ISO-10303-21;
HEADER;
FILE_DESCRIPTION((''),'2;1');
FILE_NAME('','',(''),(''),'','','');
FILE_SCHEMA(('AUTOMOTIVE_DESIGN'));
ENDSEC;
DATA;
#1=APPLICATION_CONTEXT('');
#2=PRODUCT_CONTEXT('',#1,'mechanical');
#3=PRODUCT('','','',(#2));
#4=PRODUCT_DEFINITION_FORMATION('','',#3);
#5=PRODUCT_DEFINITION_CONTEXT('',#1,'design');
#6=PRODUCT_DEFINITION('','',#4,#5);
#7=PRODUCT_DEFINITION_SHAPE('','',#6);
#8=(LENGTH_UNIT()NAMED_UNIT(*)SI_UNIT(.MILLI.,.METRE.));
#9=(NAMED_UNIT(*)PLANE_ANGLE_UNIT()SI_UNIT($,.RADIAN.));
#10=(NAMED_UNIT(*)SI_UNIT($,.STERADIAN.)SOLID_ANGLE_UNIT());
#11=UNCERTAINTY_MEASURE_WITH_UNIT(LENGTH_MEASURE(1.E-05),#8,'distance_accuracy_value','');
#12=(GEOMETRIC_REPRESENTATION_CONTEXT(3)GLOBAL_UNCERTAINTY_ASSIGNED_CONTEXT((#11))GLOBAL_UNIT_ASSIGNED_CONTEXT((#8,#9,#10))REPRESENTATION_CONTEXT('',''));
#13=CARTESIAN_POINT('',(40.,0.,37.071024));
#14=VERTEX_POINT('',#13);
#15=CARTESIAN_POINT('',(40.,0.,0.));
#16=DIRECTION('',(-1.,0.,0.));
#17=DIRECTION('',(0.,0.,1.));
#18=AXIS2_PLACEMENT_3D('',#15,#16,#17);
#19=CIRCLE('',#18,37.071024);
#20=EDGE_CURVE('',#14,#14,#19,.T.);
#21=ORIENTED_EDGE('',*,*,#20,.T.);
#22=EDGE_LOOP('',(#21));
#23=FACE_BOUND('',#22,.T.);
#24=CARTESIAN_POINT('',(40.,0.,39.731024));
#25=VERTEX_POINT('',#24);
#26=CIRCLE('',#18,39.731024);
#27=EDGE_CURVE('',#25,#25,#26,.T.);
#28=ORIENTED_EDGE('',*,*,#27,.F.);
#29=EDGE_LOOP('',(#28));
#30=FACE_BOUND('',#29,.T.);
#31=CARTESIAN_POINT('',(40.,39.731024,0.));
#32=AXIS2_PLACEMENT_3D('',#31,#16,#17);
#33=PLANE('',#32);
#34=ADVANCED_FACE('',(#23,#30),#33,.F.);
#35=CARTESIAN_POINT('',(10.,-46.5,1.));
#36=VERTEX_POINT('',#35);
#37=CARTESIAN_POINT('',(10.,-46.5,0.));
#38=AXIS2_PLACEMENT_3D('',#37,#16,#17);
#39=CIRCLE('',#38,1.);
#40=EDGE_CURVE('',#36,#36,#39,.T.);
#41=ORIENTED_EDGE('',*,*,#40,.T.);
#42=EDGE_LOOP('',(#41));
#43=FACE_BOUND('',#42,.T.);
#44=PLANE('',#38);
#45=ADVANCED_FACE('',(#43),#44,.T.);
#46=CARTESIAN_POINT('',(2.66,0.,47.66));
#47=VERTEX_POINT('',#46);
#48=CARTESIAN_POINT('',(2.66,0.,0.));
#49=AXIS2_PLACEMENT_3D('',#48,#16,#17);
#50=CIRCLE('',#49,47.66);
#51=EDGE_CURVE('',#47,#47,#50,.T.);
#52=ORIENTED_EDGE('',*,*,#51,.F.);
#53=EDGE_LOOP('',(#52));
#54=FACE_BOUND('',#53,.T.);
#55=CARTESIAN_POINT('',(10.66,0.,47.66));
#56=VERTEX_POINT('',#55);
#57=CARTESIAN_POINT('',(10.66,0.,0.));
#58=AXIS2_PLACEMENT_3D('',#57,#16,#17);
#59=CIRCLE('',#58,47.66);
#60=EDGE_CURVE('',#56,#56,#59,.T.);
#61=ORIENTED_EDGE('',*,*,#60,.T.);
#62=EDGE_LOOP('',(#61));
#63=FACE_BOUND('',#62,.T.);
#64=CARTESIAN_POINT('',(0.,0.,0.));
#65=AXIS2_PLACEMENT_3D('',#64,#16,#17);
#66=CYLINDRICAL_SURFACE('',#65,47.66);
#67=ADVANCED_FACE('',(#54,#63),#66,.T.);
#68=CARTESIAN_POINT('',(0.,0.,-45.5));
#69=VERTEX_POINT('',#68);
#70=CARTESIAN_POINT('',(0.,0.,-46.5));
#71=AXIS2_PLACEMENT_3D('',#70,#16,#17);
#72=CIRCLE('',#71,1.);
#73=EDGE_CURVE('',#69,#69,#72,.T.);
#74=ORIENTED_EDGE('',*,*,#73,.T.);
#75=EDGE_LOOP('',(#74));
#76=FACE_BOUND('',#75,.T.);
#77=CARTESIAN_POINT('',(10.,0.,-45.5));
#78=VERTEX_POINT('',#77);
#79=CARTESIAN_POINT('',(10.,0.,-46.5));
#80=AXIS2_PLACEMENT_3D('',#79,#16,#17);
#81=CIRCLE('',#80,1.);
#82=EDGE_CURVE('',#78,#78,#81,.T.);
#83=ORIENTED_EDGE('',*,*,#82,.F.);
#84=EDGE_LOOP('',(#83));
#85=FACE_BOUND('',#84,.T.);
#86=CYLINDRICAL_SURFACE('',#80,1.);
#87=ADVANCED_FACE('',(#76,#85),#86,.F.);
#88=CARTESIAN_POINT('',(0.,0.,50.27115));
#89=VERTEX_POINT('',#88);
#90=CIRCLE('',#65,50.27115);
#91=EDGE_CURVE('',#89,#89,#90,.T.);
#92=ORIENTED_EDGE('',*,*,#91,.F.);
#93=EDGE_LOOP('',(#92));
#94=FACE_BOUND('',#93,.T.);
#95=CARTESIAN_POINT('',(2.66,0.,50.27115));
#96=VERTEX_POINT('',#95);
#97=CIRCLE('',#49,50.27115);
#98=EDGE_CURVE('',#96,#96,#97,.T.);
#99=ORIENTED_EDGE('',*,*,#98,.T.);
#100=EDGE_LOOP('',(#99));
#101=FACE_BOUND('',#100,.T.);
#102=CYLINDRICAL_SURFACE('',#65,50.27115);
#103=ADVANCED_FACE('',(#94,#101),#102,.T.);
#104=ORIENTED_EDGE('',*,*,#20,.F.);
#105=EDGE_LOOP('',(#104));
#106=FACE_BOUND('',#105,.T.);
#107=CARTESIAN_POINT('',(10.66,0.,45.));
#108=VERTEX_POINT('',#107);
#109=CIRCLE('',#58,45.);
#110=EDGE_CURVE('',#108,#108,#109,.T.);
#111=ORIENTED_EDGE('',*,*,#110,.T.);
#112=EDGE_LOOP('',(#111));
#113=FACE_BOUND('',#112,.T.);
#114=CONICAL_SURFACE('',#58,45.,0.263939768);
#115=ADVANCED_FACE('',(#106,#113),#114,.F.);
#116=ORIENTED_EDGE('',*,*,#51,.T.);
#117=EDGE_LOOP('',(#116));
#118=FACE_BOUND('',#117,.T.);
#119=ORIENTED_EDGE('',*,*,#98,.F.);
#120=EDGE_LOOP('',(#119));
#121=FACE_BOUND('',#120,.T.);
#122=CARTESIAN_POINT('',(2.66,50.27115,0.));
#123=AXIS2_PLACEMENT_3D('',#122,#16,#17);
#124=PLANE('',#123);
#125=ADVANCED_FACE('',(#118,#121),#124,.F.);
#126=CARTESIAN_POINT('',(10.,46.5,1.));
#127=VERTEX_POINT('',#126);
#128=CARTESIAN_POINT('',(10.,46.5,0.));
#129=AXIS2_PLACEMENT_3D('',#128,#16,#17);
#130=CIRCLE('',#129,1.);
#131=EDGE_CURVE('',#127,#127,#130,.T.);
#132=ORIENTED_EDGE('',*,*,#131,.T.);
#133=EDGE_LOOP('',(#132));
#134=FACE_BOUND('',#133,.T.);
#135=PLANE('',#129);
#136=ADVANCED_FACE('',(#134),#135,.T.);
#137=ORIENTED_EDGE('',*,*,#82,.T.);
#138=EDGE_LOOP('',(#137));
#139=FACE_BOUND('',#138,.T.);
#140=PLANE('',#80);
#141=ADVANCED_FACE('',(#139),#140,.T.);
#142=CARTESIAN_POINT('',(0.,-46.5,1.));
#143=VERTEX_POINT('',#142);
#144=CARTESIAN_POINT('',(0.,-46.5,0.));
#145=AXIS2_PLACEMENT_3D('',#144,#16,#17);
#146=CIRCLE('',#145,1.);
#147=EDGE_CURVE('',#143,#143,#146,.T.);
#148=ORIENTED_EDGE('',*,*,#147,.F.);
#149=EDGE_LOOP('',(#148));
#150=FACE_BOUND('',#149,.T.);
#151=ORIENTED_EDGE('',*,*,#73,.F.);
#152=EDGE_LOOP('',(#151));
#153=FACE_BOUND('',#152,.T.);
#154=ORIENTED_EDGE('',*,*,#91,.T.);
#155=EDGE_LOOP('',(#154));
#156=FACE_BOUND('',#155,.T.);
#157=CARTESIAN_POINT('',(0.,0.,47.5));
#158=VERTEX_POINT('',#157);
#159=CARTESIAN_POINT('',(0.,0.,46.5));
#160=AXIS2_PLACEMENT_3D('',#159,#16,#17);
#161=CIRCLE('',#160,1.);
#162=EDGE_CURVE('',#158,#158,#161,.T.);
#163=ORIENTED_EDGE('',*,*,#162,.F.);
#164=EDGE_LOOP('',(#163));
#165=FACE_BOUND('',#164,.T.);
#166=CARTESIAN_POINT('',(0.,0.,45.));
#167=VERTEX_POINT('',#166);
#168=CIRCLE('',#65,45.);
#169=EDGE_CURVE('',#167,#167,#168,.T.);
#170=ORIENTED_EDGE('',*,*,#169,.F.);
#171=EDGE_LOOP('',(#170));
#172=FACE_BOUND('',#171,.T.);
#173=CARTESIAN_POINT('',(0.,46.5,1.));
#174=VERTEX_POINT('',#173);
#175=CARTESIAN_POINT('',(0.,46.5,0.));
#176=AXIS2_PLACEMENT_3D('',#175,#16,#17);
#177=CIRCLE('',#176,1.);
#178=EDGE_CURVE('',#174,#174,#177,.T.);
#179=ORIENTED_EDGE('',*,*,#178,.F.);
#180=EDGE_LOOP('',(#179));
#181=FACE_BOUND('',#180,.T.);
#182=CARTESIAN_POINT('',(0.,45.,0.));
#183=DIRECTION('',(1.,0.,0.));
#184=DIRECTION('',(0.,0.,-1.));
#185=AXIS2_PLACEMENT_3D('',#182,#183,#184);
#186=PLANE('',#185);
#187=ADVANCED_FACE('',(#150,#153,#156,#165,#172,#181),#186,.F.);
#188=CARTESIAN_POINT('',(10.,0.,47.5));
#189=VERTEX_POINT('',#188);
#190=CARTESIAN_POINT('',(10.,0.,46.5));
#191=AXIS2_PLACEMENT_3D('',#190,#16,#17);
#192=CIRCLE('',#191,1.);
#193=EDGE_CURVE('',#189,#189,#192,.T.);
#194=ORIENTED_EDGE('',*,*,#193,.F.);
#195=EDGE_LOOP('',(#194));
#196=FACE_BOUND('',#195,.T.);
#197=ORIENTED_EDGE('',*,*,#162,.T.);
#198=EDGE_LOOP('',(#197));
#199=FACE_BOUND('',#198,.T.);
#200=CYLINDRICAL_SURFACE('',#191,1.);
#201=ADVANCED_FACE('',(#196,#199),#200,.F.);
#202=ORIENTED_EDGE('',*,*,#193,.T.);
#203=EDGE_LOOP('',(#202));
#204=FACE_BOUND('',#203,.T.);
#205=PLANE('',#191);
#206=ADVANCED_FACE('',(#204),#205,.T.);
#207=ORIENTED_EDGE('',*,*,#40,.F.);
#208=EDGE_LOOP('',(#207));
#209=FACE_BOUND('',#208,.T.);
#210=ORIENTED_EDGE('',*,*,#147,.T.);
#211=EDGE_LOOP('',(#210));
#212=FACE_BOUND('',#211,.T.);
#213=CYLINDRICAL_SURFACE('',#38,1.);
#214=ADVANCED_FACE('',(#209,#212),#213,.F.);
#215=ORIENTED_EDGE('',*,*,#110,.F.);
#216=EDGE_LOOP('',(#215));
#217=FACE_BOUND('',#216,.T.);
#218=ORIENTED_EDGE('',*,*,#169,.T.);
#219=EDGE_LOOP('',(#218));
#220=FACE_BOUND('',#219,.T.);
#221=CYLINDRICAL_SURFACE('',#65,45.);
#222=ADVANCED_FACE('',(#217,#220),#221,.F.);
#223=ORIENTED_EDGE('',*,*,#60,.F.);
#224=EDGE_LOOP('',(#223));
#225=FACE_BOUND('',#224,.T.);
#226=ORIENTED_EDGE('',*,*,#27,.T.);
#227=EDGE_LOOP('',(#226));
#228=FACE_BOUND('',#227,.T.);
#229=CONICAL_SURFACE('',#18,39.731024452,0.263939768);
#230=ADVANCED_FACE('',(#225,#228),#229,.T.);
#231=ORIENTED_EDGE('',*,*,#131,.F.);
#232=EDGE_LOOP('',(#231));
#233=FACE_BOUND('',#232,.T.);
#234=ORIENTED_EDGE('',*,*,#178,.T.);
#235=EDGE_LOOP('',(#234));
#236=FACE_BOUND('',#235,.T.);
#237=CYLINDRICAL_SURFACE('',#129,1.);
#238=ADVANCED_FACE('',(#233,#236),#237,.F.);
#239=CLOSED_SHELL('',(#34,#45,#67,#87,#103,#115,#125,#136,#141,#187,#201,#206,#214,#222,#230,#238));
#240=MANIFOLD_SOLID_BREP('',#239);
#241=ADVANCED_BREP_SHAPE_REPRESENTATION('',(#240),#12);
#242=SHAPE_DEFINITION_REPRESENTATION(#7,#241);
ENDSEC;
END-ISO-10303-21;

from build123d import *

# Parameters (mm, degrees)
SKETCH3_R          = 1
CUT_EXTRUDE1_DEPTH = 10


with BuildPart() as part:
    # Sketch2 → Revolve1 (revolve)
    with BuildSketch(Plane.XY):
        Polygon((0, 45), (0, 50.271149675), (2.66, 50.271149675), (2.66, 47.66), (10.66, 47.66), (40, 39.731024452), (40, 37.071024452), (10.66, 45), align=None)
    revolve(axis=Axis((0, 0, 0), (1, 0, 0)))

    # Sketch3 → Cut-Extrude1 (cut)
    with BuildSketch(Plane.ZY):
        with Locations((0, -46.5)):
            Circle(SKETCH3_R)
        with Locations((-46.5, 0)):
            Circle(SKETCH3_R)
        with Locations((0, 46.5)):
            Circle(SKETCH3_R)
        with Locations((46.5, 0)):
            Circle(SKETCH3_R)
    extrude(amount=-CUT_EXTRUDE1_DEPTH, mode=Mode.SUBTRACT)


solid = part.part
